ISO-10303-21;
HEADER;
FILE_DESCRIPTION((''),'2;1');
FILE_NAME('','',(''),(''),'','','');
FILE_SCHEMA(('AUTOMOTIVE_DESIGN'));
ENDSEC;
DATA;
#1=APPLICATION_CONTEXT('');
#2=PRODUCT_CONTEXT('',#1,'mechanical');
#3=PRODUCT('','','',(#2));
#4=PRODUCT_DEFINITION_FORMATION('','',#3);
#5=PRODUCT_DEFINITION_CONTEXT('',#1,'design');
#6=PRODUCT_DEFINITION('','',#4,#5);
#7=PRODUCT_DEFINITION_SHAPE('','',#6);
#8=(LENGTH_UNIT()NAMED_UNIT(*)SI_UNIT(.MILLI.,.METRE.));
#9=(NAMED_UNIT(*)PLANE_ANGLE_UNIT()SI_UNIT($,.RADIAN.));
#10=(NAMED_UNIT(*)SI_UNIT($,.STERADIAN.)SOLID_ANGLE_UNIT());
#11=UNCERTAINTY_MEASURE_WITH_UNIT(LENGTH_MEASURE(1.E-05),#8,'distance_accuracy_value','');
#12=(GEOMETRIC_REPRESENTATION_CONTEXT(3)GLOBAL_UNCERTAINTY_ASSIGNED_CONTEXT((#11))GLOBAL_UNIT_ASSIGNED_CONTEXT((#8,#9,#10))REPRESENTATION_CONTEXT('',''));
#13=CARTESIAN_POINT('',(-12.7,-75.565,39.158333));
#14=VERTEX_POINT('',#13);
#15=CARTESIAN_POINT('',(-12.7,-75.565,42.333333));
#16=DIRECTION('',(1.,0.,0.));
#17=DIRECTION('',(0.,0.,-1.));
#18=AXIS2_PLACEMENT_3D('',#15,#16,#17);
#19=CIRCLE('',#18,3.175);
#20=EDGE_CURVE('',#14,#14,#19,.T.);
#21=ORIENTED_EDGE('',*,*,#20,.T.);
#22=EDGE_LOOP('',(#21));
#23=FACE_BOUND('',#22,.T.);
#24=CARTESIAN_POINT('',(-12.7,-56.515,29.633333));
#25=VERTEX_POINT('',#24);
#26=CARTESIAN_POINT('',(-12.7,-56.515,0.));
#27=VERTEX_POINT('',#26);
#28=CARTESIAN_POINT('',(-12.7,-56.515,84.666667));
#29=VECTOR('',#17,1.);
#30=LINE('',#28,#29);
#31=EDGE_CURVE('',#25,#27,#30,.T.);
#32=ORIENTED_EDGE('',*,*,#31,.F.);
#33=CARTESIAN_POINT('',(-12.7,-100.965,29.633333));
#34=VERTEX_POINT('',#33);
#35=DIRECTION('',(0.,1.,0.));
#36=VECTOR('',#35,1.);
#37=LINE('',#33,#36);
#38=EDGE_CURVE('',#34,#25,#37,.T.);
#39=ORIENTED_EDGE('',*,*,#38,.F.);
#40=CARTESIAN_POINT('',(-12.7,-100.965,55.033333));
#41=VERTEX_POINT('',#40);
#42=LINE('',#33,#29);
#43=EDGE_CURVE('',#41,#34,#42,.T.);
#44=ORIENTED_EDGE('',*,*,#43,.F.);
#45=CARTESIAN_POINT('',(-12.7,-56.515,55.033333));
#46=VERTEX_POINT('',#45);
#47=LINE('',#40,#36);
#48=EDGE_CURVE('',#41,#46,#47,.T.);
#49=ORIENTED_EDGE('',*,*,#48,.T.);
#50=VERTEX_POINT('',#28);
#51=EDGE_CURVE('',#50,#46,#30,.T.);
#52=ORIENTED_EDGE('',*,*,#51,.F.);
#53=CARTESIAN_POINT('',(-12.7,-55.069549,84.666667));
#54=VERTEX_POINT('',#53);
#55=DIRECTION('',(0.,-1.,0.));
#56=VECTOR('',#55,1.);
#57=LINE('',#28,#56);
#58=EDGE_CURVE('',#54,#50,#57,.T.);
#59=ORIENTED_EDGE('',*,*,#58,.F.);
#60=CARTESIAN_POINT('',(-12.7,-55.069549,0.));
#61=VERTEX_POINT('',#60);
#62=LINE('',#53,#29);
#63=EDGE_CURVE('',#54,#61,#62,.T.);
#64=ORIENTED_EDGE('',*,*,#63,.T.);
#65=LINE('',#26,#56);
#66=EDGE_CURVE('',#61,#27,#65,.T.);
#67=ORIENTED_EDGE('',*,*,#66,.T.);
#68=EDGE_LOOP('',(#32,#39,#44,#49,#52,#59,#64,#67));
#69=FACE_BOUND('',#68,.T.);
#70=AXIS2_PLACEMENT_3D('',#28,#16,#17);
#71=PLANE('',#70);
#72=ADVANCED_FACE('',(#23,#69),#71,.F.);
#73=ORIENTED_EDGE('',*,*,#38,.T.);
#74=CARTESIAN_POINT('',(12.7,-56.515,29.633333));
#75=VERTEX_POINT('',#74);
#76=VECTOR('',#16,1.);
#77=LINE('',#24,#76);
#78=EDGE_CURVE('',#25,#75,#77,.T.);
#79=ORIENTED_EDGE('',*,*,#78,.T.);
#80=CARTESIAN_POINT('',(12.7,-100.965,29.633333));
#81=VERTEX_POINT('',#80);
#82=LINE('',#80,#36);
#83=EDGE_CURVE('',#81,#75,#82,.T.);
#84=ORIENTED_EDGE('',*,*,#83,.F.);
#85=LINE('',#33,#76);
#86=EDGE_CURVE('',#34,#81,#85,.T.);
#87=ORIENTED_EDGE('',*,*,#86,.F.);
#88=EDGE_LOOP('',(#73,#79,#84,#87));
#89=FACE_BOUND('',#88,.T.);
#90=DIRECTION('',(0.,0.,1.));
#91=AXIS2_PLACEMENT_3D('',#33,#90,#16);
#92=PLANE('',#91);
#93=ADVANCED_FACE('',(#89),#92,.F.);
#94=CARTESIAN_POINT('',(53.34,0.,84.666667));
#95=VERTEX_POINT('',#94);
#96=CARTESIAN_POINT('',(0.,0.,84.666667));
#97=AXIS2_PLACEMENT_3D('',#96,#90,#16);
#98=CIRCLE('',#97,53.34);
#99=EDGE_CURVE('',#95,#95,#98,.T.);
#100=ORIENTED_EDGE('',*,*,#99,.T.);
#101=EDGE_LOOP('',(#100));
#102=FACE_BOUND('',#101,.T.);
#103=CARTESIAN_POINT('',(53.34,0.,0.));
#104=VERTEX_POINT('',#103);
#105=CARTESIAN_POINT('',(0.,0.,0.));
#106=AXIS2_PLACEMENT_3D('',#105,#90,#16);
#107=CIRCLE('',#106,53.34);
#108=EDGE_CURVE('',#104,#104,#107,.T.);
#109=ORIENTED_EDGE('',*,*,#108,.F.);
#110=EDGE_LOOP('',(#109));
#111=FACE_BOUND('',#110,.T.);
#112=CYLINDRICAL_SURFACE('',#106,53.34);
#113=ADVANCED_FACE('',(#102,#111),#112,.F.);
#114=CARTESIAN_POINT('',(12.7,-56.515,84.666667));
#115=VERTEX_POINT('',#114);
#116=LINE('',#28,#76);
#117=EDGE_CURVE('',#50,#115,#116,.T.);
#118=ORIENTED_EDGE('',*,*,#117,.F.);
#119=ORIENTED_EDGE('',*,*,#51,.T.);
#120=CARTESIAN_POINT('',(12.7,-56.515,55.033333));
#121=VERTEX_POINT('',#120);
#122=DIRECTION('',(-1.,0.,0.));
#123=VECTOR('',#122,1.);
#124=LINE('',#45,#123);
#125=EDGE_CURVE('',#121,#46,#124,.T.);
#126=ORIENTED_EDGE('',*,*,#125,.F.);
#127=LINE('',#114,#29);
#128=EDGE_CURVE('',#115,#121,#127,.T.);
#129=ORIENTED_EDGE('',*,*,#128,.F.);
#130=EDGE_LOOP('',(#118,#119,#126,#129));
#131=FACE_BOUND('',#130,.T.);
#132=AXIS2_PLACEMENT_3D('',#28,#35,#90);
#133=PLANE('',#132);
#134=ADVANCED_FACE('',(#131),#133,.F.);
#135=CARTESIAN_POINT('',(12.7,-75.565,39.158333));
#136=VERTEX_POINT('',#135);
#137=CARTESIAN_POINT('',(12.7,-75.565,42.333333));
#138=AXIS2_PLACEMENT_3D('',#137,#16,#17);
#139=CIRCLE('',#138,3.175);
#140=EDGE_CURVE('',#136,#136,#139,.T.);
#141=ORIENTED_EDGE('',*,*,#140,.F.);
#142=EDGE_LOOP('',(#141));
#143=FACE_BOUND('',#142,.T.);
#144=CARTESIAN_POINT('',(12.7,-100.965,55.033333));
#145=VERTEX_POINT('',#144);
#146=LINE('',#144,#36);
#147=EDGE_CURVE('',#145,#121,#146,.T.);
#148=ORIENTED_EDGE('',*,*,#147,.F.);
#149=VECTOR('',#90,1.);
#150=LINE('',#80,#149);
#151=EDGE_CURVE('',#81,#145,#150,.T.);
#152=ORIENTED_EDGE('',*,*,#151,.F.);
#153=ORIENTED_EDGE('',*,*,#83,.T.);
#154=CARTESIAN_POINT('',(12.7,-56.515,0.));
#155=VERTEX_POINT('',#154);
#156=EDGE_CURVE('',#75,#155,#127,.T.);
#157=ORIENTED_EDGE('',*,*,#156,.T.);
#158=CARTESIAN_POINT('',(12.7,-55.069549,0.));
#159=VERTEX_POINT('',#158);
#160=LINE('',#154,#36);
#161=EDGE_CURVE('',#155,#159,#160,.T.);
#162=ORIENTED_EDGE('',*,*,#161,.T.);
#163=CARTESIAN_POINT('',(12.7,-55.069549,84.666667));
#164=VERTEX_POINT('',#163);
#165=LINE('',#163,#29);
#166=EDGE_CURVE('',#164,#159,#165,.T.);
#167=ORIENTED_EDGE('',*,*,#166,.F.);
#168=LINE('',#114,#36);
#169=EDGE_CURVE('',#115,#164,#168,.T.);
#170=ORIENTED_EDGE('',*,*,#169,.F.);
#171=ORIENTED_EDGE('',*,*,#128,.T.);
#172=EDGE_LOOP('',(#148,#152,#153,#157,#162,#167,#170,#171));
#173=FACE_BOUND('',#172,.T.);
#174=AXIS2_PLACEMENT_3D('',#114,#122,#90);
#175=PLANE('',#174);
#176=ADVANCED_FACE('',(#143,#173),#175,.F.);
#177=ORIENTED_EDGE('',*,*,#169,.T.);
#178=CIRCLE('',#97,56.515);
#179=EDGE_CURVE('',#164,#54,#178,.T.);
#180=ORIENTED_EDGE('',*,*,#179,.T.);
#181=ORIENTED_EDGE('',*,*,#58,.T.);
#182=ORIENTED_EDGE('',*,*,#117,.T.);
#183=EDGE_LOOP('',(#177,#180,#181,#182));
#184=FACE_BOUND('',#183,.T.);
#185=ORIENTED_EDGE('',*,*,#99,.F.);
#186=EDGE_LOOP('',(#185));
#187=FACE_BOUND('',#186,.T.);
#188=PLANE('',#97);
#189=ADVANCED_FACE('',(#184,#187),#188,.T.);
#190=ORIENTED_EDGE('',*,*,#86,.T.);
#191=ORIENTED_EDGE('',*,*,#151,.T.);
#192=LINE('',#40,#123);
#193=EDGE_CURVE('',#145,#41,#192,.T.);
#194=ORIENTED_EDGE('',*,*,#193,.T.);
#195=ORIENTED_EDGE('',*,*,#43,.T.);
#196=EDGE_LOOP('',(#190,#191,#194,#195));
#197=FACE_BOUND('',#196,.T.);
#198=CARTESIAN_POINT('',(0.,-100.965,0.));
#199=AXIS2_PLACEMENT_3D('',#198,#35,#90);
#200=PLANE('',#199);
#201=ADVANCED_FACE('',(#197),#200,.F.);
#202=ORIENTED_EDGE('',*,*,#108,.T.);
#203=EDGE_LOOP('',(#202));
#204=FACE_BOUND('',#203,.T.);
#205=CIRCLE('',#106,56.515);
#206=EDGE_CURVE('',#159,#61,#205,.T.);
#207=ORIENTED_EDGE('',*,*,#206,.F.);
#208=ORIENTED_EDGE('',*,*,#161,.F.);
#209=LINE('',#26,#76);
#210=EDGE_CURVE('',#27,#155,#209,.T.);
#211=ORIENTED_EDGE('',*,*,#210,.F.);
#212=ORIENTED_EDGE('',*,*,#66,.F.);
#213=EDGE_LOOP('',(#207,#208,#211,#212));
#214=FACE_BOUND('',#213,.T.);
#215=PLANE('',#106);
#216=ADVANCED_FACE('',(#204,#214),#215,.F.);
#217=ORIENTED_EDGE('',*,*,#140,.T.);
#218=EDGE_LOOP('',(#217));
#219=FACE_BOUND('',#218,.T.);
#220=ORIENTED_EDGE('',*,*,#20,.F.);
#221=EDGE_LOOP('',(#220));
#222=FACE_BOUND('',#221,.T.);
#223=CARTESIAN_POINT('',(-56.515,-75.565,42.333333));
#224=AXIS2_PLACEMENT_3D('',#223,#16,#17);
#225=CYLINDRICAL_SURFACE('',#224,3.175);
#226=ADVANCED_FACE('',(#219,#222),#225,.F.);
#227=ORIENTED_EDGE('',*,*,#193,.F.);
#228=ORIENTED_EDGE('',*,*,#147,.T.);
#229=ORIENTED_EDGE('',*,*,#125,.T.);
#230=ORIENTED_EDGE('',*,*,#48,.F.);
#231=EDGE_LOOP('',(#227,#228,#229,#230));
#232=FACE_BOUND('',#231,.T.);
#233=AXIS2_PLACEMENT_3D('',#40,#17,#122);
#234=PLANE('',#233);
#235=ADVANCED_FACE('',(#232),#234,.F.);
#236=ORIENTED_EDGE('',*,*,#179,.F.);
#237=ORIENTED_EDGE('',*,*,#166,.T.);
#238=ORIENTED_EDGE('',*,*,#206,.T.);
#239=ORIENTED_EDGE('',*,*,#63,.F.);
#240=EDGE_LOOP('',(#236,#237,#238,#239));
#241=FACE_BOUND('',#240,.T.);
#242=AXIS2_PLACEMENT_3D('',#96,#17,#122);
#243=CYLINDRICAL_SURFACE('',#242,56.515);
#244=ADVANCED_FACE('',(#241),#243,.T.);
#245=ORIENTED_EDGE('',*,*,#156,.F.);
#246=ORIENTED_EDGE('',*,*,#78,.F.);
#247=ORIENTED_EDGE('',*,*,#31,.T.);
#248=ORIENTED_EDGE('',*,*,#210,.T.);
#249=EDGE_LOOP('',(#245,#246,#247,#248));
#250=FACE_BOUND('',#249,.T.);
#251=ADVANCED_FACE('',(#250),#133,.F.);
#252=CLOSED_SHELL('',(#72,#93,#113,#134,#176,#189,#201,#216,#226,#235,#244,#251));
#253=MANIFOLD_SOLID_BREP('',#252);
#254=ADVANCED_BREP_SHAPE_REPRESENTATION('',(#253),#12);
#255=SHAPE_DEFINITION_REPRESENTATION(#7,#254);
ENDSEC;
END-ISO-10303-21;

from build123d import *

# Parameters (mm, degrees)
BOSS_EXTRUDE1_DEPTH = 84.666666667
SKETCH2_R           = 53.34
CUT_EXTRUDE1_DEPTH  = 85.666666667
SKETCH3_W           = 25.4
SKETCH3_H           = 25.4
BOSS_EXTRUDE2_DEPTH = 44.45
SKETCH5_R           = 3.175
CUT_EXTRUDE2_DEPTH  = 70.215


with BuildPart() as part:
    # Sketch1 → Boss-Extrude1 (new body)
    with BuildSketch(Plane.XY):
        with BuildLine():
            Line((-12.7, -56.515), (12.7, -56.515))
            Line((12.7, -56.515), (12.7, -55.069548981))
            ThreePointArc((12.7, -55.069548981), (0, 56.515), (-12.7, -55.069548981))
            Line((-12.7, -55.069548981), (-12.7, -56.515))
        make_face()
    extrude(amount=BOSS_EXTRUDE1_DEPTH)

    # Sketch2 → Cut-Extrude1 (cut, through all)
    with BuildSketch(Plane.XY.offset(84.666666667)):
        Circle(SKETCH2_R)
    extrude(amount=-CUT_EXTRUDE1_DEPTH, mode=Mode.SUBTRACT)

    # Sketch3 → Boss-Extrude2 (add)
    with BuildSketch(Plane.XZ.offset(56.515)):
        with Locations((0, 42.333333333)):
            Rectangle(SKETCH3_W, SKETCH3_H)
    extrude(amount=BOSS_EXTRUDE2_DEPTH)

    # Sketch5 → Cut-Extrude2 (cut, through all)
    with BuildSketch(Plane(origin=(12.7, 0, 0), x_dir=(0, 0, -1), z_dir=(1, 0, 0))):
        with Locations((-42.333333333, -75.565)):
            Circle(SKETCH5_R)
    extrude(amount=-CUT_EXTRUDE2_DEPTH, mode=Mode.SUBTRACT)


solid = part.part
